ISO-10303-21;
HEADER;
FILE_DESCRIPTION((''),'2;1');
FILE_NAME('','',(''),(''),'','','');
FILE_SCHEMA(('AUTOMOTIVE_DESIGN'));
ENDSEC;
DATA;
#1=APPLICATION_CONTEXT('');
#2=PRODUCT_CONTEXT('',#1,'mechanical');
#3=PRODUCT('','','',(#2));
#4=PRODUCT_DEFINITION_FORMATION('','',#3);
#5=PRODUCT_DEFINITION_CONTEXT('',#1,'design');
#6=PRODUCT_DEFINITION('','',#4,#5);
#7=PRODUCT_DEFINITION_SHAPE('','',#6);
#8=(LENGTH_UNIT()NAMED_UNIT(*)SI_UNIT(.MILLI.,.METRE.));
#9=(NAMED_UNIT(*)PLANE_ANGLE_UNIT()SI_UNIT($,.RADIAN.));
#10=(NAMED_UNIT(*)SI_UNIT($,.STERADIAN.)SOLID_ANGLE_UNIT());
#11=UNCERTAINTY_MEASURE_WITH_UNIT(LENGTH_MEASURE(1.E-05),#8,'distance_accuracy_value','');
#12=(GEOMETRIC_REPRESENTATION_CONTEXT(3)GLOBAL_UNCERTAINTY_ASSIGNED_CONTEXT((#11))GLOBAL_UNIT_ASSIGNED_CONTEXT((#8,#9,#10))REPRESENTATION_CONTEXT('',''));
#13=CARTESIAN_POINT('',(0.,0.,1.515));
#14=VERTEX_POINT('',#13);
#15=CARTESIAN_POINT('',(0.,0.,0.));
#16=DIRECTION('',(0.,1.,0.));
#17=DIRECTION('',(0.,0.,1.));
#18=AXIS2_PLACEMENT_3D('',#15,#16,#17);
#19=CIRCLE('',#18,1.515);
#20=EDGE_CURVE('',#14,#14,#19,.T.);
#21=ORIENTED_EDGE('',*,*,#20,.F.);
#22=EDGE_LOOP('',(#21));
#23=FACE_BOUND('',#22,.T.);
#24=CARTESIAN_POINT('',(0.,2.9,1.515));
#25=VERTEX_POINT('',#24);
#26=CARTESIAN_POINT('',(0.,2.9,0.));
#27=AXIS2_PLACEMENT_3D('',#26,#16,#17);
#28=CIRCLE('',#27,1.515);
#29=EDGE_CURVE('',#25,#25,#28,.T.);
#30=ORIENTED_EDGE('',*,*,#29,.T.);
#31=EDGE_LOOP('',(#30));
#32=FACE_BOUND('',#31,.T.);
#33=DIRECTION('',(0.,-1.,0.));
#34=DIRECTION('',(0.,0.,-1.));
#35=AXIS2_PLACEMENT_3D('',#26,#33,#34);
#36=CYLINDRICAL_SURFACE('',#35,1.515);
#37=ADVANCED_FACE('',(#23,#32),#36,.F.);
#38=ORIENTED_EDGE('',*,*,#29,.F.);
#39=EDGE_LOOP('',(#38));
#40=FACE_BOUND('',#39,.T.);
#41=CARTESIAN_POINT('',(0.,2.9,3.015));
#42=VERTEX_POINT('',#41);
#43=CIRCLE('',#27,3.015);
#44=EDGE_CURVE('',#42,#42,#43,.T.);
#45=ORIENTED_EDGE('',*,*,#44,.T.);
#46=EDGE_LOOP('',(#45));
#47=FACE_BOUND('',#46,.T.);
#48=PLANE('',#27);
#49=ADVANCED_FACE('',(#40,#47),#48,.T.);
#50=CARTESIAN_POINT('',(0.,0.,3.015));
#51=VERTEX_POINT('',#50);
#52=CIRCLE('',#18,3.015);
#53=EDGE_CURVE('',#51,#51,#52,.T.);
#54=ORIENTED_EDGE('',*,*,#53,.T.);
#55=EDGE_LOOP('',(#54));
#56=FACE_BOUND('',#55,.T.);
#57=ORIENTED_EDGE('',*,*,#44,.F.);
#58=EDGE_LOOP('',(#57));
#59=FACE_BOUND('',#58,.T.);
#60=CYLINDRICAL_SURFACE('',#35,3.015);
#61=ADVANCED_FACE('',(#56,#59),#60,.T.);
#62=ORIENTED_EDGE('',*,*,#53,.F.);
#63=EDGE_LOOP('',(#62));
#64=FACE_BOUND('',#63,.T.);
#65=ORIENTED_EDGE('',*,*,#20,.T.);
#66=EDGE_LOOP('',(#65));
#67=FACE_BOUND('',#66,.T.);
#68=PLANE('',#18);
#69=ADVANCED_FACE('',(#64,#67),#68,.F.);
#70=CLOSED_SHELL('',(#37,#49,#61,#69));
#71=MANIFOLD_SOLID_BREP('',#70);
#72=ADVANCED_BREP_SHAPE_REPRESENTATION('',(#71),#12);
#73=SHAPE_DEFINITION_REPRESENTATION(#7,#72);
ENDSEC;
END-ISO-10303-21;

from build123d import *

# Parameters (mm, degrees)
SKETCH1_R           = 3.015
SKETCH1_R_2         = 1.515
BOSS_EXTRUDE1_DEPTH = 2.9


with BuildPart() as part:
    # Sketch1 → Boss-Extrude1 (new body)
    with BuildSketch(Plane(origin=(0, 0, 0), x_dir=(1, 0, 0), z_dir=(0, 1, 0))):
        Circle(SKETCH1_R)
        Circle(SKETCH1_R_2, mode=Mode.SUBTRACT)
    extrude(amount=BOSS_EXTRUDE1_DEPTH)


solid = part.part
